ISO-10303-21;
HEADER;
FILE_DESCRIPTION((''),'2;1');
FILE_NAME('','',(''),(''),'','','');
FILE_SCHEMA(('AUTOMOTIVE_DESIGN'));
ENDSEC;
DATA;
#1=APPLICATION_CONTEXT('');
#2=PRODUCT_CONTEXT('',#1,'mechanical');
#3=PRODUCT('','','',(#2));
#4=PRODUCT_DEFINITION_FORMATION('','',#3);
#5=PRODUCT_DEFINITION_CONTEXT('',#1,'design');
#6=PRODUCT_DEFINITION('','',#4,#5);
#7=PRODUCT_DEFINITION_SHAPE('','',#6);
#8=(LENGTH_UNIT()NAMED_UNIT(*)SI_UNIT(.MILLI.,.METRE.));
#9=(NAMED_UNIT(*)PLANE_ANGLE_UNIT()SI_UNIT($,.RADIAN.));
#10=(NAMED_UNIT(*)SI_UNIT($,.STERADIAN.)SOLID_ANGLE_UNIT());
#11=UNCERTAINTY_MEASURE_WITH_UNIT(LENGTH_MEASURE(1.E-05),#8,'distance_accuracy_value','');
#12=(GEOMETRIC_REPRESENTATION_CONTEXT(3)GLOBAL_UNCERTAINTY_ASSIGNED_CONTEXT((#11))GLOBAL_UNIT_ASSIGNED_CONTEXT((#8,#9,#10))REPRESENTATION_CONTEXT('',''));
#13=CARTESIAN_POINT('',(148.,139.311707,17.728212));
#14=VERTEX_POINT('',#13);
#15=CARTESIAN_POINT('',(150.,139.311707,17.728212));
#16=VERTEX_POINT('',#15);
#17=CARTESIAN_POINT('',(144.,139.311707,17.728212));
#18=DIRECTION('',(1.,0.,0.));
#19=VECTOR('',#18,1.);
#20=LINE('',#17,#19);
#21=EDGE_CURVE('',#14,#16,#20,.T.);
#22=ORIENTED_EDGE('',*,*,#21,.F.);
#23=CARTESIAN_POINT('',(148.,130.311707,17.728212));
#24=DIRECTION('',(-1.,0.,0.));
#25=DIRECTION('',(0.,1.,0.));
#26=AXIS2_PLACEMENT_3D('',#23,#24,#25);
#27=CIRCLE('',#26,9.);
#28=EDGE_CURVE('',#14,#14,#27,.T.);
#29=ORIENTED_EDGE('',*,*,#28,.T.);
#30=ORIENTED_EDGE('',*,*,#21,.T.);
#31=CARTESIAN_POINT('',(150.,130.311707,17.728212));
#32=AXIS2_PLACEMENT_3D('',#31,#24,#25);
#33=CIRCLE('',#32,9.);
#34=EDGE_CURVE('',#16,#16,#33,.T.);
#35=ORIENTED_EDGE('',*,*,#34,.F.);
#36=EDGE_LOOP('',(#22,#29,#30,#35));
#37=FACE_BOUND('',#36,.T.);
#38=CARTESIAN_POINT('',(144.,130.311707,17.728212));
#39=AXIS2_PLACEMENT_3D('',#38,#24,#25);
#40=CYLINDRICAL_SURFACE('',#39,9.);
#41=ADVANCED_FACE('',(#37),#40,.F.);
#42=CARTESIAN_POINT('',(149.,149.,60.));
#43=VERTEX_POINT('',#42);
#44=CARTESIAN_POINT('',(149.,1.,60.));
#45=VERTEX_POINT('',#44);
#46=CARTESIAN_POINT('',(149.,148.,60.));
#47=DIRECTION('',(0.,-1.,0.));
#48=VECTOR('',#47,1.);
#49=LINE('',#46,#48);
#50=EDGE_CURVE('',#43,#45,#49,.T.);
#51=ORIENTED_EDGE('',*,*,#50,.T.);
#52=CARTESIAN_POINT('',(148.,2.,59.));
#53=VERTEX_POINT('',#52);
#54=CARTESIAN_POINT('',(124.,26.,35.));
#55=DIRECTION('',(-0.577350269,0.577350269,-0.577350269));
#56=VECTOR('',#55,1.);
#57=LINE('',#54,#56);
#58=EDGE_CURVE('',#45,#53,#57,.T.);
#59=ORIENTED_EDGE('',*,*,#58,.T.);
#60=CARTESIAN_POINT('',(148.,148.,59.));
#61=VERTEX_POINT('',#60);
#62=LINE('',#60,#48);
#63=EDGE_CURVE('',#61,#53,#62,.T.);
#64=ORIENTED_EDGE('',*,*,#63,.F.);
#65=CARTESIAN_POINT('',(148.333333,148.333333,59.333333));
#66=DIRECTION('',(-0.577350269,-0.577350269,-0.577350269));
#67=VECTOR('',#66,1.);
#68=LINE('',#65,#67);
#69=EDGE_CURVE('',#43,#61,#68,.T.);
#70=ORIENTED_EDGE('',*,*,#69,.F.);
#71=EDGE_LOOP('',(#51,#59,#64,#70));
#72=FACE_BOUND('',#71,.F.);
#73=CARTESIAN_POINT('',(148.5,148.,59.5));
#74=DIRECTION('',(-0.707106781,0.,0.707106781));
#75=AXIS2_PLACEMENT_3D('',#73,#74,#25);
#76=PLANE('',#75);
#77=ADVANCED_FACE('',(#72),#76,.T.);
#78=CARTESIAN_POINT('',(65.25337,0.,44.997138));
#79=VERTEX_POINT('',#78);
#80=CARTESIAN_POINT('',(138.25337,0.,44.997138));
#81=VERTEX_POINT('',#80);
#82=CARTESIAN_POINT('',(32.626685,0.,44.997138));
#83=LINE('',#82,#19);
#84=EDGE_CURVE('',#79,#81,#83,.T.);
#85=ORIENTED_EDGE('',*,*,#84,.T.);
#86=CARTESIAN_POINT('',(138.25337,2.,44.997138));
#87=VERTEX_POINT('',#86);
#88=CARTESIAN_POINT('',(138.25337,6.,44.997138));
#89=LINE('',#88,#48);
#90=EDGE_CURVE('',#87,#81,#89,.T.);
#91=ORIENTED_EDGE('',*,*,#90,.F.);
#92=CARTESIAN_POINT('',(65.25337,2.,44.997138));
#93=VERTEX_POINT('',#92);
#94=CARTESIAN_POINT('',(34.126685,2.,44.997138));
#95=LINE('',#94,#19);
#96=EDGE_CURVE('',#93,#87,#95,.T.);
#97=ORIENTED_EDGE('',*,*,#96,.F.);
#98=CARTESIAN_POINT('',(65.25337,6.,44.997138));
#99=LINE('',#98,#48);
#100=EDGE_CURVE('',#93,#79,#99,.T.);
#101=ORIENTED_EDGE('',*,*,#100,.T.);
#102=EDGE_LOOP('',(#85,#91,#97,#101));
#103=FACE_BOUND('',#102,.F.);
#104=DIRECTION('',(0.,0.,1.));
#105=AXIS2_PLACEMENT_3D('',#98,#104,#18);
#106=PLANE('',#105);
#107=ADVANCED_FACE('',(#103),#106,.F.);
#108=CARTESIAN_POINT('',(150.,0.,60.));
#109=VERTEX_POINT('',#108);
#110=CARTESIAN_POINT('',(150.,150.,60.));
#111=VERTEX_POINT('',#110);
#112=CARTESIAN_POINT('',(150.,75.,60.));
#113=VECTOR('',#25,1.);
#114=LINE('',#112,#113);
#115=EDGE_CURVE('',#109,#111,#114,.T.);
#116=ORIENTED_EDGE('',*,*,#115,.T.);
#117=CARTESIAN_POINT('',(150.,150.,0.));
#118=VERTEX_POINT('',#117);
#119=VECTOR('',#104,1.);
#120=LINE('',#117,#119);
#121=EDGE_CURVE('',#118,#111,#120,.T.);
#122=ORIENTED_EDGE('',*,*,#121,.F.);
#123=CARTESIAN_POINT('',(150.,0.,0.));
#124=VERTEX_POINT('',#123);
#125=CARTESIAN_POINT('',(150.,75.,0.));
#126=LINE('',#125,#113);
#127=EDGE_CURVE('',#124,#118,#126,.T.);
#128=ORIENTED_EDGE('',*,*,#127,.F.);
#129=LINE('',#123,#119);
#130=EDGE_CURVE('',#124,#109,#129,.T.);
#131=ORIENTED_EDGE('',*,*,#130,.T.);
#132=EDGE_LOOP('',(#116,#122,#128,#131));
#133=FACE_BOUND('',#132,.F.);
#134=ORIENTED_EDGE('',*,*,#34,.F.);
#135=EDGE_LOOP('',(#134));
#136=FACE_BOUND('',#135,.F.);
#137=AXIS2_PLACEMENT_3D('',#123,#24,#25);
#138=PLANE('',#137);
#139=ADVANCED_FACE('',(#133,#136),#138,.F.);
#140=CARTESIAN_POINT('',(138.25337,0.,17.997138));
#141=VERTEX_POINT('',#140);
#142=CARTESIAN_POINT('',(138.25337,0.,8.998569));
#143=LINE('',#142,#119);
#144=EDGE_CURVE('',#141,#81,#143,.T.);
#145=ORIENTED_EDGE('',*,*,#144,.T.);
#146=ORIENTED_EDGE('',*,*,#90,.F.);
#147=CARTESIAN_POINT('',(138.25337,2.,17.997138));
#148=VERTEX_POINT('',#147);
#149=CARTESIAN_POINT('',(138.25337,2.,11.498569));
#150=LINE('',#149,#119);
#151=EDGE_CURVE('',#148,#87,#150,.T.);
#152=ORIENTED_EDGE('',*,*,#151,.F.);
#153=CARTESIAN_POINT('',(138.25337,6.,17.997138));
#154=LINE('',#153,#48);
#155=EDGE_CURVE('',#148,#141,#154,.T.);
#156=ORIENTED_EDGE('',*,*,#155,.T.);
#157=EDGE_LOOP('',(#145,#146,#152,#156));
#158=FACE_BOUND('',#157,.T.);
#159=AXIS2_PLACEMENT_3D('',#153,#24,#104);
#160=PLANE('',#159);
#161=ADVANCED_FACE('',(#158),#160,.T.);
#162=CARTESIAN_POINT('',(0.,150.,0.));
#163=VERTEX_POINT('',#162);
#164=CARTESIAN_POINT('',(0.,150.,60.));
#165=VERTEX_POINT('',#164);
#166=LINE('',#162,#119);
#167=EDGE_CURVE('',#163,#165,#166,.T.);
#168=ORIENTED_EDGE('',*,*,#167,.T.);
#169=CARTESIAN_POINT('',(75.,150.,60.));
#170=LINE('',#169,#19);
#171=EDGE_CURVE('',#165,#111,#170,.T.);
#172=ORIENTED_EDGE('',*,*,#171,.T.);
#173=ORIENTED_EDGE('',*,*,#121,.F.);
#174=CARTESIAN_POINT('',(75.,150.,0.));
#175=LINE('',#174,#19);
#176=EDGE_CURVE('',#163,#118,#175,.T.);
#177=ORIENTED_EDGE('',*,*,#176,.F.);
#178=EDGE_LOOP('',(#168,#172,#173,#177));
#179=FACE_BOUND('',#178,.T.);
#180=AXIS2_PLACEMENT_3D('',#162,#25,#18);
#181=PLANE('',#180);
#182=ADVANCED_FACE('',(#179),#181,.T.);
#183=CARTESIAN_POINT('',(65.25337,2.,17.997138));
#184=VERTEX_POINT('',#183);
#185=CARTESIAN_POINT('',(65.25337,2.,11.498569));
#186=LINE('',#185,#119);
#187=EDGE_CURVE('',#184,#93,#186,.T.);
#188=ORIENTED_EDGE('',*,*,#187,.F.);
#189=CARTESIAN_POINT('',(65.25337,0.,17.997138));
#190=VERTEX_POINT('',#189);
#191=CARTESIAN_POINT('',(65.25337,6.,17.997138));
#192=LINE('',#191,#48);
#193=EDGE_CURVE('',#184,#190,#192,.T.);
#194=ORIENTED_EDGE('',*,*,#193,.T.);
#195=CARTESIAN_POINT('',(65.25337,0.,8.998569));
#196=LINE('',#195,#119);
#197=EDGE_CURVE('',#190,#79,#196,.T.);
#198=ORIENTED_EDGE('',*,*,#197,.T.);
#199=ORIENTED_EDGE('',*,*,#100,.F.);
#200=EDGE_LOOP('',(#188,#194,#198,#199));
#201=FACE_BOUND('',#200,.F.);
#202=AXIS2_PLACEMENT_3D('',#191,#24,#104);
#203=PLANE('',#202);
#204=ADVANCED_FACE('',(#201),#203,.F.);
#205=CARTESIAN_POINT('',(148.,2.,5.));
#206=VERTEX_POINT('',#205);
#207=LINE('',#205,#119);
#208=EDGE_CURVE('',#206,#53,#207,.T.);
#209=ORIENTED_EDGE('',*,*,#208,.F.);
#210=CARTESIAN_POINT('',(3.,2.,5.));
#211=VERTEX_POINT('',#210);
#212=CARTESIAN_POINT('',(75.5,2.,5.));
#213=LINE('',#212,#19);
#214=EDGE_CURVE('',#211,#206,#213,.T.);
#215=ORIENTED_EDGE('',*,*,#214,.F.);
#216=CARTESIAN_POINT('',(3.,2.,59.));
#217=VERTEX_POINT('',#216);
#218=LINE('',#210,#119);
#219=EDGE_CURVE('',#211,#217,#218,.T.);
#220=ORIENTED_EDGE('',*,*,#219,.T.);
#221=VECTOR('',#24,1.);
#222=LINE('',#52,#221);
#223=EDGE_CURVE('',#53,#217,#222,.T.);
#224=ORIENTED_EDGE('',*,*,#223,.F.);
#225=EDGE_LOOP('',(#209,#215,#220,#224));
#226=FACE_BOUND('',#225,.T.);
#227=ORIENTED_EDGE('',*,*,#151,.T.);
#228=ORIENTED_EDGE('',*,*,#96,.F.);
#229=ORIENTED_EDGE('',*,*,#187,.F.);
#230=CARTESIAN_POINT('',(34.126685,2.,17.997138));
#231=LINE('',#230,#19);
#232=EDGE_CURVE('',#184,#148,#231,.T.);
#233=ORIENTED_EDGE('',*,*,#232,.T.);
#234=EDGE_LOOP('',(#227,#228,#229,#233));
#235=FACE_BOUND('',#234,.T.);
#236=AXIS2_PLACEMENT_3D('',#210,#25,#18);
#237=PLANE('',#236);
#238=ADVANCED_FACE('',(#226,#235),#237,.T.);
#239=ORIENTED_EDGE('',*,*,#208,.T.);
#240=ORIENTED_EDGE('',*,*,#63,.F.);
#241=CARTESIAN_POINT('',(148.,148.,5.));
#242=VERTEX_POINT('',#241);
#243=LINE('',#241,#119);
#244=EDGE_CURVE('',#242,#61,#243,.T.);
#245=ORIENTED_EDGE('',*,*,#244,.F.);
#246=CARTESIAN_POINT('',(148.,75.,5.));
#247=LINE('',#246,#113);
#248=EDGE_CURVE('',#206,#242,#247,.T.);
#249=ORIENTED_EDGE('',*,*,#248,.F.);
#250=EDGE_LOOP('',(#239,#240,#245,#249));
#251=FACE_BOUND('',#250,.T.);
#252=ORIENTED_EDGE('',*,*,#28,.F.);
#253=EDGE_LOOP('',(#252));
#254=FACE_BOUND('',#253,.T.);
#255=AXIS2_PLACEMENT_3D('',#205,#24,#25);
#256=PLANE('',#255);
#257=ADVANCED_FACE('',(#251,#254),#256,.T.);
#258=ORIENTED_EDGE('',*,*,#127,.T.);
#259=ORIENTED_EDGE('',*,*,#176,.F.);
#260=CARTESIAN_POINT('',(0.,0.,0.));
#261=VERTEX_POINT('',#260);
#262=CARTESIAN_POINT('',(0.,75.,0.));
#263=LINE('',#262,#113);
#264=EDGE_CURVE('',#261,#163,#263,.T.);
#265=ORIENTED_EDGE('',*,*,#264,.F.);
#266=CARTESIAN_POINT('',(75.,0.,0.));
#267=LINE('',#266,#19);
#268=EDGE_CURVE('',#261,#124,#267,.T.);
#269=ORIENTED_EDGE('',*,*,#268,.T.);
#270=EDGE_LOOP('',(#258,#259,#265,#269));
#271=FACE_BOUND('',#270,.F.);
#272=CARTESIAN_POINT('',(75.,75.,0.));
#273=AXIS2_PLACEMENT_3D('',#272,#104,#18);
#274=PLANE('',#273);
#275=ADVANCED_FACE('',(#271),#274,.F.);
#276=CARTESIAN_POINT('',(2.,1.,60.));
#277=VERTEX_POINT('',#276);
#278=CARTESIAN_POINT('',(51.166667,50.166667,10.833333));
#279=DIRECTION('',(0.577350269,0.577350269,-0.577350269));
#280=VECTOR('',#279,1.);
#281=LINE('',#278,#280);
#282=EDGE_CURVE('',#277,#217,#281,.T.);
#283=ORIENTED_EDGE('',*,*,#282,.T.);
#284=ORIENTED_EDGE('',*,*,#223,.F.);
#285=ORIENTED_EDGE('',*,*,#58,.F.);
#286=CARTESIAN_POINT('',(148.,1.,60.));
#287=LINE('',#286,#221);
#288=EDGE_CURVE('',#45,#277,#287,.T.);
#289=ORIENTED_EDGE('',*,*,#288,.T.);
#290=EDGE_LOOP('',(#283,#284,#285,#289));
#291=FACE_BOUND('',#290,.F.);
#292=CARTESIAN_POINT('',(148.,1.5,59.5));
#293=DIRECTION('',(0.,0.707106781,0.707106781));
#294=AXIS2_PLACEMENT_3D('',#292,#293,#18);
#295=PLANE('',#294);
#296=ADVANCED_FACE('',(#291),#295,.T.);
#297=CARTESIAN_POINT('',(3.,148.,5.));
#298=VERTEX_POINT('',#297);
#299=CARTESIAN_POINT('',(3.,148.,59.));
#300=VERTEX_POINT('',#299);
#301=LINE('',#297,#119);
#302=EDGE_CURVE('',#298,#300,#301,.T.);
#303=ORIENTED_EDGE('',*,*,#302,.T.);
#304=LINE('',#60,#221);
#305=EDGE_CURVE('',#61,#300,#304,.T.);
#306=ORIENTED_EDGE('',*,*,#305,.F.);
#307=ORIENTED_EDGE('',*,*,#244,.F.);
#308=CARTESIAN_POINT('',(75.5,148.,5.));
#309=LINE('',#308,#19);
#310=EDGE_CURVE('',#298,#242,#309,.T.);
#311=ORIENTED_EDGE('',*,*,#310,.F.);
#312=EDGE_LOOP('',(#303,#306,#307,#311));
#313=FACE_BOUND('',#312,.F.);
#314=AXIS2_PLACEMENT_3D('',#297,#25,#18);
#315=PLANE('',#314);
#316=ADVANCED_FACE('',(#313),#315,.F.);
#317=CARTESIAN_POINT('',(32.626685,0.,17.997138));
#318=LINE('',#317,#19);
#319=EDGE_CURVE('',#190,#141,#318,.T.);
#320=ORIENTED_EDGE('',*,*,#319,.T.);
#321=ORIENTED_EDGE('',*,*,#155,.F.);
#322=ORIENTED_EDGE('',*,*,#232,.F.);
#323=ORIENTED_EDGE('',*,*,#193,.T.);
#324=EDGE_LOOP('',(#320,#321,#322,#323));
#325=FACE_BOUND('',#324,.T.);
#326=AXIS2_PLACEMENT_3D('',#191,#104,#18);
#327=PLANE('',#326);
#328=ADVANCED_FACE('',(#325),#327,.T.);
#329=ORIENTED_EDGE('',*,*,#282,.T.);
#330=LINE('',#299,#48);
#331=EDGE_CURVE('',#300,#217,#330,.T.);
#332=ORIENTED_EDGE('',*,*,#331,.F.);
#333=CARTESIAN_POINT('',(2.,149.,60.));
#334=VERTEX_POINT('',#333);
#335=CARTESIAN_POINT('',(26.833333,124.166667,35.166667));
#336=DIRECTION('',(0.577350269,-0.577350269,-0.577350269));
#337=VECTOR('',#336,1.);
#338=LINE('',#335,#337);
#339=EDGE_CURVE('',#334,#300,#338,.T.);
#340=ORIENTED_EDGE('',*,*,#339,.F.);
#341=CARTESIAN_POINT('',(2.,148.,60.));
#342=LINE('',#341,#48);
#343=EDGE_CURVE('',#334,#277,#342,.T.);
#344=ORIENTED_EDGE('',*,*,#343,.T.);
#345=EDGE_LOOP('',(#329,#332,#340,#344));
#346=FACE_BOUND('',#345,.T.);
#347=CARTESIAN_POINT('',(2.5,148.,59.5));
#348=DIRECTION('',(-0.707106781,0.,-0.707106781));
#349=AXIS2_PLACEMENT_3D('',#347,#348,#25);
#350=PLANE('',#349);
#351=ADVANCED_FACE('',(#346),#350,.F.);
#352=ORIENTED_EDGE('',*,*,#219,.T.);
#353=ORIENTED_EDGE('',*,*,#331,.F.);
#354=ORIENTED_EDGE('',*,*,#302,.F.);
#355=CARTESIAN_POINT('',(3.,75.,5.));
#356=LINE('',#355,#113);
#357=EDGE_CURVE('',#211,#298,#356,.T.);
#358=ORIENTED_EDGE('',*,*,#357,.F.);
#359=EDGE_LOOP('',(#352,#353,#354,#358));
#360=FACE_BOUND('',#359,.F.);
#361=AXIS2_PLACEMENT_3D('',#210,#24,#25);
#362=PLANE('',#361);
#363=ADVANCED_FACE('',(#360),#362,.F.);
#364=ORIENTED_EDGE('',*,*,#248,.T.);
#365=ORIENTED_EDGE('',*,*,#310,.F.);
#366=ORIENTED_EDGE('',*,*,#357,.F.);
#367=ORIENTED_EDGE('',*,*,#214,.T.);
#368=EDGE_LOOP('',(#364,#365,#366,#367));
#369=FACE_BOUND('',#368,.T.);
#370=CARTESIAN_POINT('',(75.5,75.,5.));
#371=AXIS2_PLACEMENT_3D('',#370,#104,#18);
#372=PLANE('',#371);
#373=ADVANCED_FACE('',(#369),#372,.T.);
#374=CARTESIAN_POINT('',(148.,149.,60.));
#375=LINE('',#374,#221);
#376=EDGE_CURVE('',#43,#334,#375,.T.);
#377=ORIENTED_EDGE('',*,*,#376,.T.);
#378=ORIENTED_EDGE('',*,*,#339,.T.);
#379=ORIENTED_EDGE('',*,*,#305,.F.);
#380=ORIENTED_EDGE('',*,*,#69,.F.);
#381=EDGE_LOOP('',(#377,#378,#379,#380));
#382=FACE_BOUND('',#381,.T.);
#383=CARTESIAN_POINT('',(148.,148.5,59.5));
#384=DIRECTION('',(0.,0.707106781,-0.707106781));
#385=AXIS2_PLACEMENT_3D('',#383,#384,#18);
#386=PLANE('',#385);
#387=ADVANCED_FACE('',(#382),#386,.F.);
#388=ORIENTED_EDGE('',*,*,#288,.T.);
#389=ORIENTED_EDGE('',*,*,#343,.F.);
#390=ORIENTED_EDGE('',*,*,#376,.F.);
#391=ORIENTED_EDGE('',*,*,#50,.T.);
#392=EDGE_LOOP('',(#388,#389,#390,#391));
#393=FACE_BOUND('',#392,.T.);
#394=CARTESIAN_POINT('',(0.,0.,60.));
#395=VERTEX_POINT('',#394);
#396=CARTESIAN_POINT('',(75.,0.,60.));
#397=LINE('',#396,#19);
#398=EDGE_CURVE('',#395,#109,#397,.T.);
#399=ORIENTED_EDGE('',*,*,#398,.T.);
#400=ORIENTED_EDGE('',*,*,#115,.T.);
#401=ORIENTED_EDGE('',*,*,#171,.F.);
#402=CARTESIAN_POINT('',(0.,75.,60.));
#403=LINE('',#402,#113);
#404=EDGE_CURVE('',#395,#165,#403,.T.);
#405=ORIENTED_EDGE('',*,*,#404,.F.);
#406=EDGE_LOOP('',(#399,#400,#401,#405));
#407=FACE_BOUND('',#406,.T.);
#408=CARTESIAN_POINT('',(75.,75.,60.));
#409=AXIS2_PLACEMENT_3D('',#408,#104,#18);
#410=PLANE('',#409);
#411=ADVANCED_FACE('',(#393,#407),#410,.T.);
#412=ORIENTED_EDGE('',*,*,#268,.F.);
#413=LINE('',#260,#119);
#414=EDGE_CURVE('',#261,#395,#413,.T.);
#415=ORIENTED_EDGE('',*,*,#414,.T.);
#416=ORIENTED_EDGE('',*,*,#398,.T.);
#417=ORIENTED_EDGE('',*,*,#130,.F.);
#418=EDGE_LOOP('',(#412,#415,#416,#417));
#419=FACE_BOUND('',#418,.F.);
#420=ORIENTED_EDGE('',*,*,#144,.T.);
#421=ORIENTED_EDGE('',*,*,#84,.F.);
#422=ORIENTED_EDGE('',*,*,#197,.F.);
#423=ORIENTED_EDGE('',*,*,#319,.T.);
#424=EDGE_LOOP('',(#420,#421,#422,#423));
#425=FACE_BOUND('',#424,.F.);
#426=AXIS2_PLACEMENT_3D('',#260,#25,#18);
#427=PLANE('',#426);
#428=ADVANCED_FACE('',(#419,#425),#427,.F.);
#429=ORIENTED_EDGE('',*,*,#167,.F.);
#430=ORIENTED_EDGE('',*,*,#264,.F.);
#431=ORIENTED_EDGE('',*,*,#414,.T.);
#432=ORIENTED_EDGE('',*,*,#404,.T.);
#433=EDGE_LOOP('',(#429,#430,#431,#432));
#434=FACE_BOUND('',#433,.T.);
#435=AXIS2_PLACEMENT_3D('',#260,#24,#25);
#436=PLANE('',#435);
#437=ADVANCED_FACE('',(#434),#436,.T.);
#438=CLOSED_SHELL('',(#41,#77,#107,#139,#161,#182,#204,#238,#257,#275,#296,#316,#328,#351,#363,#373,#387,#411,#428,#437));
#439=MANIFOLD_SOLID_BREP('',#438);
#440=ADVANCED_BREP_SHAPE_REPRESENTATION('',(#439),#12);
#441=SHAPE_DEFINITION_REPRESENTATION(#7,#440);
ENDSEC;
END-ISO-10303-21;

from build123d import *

# Parameters (mm, degrees)
SKETCH001_R                    = 9
EXTRUDE001_DEPTH               = 10
SKETCH_AS_DRAWN_W              = 73
SKETCH_AS_DRAWN_H              = 27
EXTRUDE_DEPTH                  = 10
EXTRUDE_ONTO_SKETCH_ROLL_ANGLE = 90
BOX_W                          = 145
BOX_H                          = 146
BOX_DEPTH                      = 57
BOX001_W                       = 150
BOX001_H                       = 150
BOX001_DEPTH                   = 60
CHAMFER001_SIZE                = 1


with BuildPart() as conexionalimentacion:
    # Sketch001 → Extrude001 (new body)
    with BuildSketch(Plane.YZ.offset(150)):
        with Locations((129.311707, 12.728212)):
            Circle(SKETCH001_R)
    extrude(amount=EXTRUDE001_DEPTH)


with BuildPart() as conexionalimentacion_1:
    # Extrude001 placement: moved
    add(conexionalimentacion.part.moved(Location((-6, 1, 5))))


with BuildPart() as fusion:
    # Sketch as drawn → Extrude (new)
    with BuildSketch(Plane.XY):
        with Locations((101.75337, 31.497138)):
            Rectangle(SKETCH_AS_DRAWN_W, SKETCH_AS_DRAWN_H)
    extrude(amount=EXTRUDE_DEPTH)


with BuildPart() as fusion_1:
    # Extrude onto Sketch roll: moved
    add(fusion.part.rotate(Axis((0, 0, 0), (1, 0, 0)), EXTRUDE_ONTO_SKETCH_ROLL_ANGLE))


with BuildPart() as fusion_2:
    # Extrude onto Sketch placement: moved
    add(fusion_1.part)


with BuildPart() as fusion_3:
    # Extrude placement: moved
    add(fusion_2.part.moved(Location((0, 6, 0))))

    # Fusion: union ConexionAlimentacion
    add(conexionalimentacion_1.part)


with BuildPart() as cubo:
    # Box → Box (new body)
    with BuildSketch(Plane(origin=(3, 2, 5), x_dir=(1, 0, 0), z_dir=(0, 0, 1))):
        with Locations((72.5, 73)):
            Rectangle(BOX_W, BOX_H)
    extrude(amount=BOX_DEPTH)


with BuildPart() as basecaja:
    # Box001 → Box001 (new body)
    with BuildSketch(Plane.XY):
        with Locations((75, 75)):
            Rectangle(BOX001_W, BOX001_H)
    extrude(amount=BOX001_DEPTH)

    # Cut: cut Cubo
    add(cubo.part, mode=Mode.SUBTRACT)

    # Cut001: cut Fusion
    add(fusion_3.part, mode=Mode.SUBTRACT)

    # Chamfer001
    chamfer001_edges = [basecaja.edges().sort_by_distance(p)[0] for p in [
        (75.5, 2, 60),
        (148, 75, 60),
        (75.5, 148, 60),
        (3, 75, 60),
    ]]
    chamfer(chamfer001_edges, length=CHAMFER001_SIZE)


solid = basecaja.part
